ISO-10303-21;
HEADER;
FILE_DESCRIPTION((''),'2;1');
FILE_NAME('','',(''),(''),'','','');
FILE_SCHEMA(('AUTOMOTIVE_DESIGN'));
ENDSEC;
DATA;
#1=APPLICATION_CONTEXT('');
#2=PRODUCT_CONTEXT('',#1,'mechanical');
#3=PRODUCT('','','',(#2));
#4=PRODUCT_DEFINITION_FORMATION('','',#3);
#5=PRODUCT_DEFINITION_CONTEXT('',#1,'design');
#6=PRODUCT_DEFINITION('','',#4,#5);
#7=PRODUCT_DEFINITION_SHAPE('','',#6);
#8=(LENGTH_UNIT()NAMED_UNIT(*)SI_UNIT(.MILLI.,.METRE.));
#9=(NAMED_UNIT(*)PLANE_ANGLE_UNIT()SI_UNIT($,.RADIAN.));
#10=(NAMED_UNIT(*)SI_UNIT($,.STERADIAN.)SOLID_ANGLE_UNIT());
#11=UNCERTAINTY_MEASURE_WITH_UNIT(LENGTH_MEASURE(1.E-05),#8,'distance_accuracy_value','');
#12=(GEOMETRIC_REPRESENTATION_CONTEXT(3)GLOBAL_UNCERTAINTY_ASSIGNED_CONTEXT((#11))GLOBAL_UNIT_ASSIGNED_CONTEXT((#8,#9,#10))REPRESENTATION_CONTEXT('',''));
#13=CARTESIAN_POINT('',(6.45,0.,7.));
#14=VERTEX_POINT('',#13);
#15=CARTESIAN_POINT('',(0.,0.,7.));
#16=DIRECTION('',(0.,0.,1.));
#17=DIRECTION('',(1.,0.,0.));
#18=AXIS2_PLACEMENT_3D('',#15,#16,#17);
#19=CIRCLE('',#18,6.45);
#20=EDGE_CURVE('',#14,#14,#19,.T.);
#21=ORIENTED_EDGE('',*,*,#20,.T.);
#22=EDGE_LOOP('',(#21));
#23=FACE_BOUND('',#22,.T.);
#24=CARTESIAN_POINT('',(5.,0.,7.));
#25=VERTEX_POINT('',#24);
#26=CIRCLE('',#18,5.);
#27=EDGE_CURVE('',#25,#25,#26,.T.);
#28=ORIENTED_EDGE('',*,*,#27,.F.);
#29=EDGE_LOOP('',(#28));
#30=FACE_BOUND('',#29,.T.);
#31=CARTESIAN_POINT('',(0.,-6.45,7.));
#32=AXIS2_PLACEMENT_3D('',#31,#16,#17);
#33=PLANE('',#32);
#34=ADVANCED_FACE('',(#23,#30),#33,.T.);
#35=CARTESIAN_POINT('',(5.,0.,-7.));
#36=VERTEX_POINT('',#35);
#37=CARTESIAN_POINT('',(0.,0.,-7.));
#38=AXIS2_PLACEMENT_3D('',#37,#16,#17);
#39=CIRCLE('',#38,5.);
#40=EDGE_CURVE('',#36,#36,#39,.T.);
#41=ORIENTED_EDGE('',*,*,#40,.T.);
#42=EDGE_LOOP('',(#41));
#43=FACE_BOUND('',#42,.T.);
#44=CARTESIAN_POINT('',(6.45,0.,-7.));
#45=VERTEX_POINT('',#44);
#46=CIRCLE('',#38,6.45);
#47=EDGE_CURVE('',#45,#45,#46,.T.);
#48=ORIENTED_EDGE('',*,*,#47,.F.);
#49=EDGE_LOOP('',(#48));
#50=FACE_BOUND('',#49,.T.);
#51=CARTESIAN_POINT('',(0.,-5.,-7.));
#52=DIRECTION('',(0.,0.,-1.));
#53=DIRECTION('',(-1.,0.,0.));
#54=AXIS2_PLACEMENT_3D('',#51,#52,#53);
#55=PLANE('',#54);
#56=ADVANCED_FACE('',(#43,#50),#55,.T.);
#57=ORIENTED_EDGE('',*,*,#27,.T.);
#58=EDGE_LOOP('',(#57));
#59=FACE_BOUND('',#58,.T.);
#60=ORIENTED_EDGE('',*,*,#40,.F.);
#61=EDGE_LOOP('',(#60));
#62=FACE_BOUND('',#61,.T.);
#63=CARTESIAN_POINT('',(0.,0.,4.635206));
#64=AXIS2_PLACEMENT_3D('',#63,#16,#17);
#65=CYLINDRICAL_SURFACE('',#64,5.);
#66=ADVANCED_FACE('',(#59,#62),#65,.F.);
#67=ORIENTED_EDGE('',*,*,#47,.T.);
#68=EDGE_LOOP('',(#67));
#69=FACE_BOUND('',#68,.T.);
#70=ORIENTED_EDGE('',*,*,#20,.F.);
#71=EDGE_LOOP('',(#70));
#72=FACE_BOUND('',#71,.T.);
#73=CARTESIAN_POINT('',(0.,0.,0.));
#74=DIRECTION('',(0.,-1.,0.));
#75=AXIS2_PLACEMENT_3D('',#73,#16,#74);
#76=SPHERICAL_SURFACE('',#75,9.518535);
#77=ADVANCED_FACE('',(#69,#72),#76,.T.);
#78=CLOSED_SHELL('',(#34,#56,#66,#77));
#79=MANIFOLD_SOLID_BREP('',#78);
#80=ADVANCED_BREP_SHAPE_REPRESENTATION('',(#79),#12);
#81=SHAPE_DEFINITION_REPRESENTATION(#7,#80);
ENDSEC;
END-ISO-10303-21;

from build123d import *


with BuildPart() as part:
    # Sketch1 → Revolve1 (revolve)
    with BuildSketch(Plane(origin=(0, 0, 0), x_dir=(0, 0, -1), z_dir=(1, 0, 0))):
        with BuildLine():
            Line((-7, -6.45), (-7, -5))
            Line((-7, -5), (7, -5))
            Line((7, -5), (7, -6.45))
            ThreePointArc((7, -6.45), (0, -9.518534551), (-7, -6.45))
        make_face()
    revolve(axis=Axis((0, 0, 4.635206435), (0, 0, -1)))


solid = part.part
